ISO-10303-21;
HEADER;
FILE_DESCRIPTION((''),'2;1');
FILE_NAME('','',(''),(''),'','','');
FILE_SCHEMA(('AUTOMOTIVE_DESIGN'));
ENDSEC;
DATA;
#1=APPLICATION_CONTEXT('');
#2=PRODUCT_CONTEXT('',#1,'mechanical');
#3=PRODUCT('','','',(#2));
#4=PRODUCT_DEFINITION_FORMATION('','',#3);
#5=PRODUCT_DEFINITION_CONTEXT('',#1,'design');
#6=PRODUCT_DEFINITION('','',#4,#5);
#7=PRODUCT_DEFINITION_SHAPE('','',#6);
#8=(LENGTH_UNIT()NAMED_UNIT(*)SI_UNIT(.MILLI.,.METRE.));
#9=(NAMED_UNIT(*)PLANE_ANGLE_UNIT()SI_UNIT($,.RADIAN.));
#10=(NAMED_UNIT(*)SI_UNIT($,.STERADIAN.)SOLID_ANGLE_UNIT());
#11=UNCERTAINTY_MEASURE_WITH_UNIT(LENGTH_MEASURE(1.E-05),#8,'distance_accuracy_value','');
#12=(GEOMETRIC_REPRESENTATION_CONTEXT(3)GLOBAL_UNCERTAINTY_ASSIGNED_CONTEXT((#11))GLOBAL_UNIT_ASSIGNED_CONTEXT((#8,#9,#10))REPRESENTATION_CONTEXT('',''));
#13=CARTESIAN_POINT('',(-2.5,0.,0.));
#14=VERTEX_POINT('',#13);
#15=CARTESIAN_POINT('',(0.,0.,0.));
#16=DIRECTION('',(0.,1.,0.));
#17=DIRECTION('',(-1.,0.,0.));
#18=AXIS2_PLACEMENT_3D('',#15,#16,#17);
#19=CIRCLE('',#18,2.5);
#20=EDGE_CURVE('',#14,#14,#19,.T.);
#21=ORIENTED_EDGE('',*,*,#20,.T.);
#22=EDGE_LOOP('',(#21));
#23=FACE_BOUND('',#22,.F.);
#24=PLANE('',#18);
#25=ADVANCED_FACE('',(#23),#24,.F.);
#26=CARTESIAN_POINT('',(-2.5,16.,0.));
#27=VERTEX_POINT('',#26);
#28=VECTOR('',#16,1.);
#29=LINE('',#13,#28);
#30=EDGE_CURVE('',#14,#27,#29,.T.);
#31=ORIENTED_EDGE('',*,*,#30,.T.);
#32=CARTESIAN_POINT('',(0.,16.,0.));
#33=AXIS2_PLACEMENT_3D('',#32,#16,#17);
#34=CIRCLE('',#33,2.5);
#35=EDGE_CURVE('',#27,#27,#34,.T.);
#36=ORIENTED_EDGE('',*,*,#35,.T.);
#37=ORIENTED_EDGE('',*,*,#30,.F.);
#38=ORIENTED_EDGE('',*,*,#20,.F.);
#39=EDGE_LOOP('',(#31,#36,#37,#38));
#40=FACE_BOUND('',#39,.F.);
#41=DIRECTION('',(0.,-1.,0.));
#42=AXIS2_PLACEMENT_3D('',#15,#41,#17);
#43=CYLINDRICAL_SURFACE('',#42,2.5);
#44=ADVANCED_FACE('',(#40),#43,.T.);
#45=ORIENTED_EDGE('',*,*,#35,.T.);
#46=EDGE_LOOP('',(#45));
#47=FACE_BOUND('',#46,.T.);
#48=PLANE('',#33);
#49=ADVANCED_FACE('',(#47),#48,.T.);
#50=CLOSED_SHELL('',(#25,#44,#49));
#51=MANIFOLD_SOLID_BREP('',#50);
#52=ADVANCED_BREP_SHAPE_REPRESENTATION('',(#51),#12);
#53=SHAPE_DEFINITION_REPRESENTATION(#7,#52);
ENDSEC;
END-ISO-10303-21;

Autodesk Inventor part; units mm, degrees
ref_plane "YZ Plane" through (0, 0, 0) normal (1, 0, 0) x (0, 1, 0)
ref_plane "XZ Plane" through (0, 0, 0) normal (0, 1, 0) x (-1, 0, 0)
ref_plane "XY Plane" through (0, 0, 0) normal (0, 0, 1) x (1, 0, 0)
sketch "Sketch1" plane through (0, 0, 0) normal (0, 1, 0) x (-1, 0, 0)
  point P0 (0, 0)
sketch "Sketch2" plane through (0, 0, 0) normal (0, 1, 0) x (-1, 0, 0)
  circle A0 centre (0, 0) radius 2.5
  dimension "d0" = 5
extrude "Extrusion1" add sketch "Sketch2" along normal blind 16
equation "\"d0\" = ball_bearing_ID"
equation "\"ball_bearing_ID\" = 5"
properties part number "ball_bearing_rod"
